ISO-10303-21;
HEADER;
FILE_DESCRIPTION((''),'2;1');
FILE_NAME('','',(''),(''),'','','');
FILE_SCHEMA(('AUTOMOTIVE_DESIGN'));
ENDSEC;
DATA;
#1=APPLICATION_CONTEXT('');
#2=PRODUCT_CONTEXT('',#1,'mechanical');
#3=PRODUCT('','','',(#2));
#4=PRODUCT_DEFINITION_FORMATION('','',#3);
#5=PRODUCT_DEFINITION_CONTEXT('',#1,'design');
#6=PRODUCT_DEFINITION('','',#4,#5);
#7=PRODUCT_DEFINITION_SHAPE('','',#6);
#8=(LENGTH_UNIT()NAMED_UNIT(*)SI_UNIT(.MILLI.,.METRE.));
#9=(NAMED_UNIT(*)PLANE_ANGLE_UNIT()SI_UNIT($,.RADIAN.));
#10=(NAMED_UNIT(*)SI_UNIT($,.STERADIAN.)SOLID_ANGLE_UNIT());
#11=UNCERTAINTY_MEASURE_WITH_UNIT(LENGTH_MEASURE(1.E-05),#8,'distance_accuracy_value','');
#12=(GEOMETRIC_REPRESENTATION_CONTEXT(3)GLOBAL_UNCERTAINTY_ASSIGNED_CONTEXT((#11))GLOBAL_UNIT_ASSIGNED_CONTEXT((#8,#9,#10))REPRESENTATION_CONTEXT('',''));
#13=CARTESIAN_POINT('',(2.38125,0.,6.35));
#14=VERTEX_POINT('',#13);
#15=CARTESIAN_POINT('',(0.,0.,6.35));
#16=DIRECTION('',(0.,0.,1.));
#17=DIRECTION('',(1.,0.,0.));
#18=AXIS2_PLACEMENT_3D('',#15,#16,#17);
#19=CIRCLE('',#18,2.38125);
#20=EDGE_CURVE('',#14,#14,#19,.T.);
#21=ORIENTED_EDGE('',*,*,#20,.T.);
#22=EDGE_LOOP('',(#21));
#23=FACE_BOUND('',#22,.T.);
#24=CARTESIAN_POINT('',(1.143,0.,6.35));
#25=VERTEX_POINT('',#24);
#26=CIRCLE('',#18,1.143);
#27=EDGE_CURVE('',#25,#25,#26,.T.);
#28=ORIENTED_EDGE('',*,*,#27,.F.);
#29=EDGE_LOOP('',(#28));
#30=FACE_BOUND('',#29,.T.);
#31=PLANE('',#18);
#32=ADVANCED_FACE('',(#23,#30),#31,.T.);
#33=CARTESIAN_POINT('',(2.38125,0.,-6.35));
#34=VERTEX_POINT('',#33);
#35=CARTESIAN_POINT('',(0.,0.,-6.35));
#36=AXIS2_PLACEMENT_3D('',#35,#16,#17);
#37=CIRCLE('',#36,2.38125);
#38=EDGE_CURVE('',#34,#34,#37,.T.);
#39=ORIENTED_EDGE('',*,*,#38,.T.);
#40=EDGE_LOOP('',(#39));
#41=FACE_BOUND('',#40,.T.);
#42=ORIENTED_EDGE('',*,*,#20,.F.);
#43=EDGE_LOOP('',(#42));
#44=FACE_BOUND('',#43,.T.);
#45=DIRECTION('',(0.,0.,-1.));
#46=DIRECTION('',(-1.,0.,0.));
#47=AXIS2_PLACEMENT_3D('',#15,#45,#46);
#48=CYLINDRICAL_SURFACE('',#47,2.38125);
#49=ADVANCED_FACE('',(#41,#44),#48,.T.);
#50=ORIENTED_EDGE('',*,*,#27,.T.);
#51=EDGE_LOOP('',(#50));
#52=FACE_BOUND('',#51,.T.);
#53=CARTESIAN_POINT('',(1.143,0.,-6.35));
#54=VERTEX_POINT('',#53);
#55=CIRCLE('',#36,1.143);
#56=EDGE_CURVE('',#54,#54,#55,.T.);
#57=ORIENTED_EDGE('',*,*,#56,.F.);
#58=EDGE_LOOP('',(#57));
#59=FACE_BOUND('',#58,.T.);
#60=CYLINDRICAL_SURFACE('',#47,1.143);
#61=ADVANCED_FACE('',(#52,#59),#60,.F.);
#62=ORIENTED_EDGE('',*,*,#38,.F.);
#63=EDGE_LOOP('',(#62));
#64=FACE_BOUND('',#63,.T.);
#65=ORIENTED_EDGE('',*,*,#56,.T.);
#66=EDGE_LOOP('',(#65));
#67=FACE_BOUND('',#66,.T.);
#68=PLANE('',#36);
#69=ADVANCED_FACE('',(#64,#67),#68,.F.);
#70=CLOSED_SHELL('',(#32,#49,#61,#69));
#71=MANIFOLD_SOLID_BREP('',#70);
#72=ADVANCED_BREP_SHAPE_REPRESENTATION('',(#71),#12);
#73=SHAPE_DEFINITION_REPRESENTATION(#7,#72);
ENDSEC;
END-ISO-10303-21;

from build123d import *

# Parameters (mm, degrees)
SKETCH1_R      = 2.38125
SKETCH1_R_2    = 1.143
EXTRUDE1_DEPTH = 6.35


with BuildPart() as part:
    # Sketch1 → Extrude1 (new body, symmetric)
    with BuildSketch(Plane.XY):
        Circle(SKETCH1_R)
        Circle(SKETCH1_R_2, mode=Mode.SUBTRACT)
    extrude(amount=EXTRUDE1_DEPTH, both=True)


solid = part.part
